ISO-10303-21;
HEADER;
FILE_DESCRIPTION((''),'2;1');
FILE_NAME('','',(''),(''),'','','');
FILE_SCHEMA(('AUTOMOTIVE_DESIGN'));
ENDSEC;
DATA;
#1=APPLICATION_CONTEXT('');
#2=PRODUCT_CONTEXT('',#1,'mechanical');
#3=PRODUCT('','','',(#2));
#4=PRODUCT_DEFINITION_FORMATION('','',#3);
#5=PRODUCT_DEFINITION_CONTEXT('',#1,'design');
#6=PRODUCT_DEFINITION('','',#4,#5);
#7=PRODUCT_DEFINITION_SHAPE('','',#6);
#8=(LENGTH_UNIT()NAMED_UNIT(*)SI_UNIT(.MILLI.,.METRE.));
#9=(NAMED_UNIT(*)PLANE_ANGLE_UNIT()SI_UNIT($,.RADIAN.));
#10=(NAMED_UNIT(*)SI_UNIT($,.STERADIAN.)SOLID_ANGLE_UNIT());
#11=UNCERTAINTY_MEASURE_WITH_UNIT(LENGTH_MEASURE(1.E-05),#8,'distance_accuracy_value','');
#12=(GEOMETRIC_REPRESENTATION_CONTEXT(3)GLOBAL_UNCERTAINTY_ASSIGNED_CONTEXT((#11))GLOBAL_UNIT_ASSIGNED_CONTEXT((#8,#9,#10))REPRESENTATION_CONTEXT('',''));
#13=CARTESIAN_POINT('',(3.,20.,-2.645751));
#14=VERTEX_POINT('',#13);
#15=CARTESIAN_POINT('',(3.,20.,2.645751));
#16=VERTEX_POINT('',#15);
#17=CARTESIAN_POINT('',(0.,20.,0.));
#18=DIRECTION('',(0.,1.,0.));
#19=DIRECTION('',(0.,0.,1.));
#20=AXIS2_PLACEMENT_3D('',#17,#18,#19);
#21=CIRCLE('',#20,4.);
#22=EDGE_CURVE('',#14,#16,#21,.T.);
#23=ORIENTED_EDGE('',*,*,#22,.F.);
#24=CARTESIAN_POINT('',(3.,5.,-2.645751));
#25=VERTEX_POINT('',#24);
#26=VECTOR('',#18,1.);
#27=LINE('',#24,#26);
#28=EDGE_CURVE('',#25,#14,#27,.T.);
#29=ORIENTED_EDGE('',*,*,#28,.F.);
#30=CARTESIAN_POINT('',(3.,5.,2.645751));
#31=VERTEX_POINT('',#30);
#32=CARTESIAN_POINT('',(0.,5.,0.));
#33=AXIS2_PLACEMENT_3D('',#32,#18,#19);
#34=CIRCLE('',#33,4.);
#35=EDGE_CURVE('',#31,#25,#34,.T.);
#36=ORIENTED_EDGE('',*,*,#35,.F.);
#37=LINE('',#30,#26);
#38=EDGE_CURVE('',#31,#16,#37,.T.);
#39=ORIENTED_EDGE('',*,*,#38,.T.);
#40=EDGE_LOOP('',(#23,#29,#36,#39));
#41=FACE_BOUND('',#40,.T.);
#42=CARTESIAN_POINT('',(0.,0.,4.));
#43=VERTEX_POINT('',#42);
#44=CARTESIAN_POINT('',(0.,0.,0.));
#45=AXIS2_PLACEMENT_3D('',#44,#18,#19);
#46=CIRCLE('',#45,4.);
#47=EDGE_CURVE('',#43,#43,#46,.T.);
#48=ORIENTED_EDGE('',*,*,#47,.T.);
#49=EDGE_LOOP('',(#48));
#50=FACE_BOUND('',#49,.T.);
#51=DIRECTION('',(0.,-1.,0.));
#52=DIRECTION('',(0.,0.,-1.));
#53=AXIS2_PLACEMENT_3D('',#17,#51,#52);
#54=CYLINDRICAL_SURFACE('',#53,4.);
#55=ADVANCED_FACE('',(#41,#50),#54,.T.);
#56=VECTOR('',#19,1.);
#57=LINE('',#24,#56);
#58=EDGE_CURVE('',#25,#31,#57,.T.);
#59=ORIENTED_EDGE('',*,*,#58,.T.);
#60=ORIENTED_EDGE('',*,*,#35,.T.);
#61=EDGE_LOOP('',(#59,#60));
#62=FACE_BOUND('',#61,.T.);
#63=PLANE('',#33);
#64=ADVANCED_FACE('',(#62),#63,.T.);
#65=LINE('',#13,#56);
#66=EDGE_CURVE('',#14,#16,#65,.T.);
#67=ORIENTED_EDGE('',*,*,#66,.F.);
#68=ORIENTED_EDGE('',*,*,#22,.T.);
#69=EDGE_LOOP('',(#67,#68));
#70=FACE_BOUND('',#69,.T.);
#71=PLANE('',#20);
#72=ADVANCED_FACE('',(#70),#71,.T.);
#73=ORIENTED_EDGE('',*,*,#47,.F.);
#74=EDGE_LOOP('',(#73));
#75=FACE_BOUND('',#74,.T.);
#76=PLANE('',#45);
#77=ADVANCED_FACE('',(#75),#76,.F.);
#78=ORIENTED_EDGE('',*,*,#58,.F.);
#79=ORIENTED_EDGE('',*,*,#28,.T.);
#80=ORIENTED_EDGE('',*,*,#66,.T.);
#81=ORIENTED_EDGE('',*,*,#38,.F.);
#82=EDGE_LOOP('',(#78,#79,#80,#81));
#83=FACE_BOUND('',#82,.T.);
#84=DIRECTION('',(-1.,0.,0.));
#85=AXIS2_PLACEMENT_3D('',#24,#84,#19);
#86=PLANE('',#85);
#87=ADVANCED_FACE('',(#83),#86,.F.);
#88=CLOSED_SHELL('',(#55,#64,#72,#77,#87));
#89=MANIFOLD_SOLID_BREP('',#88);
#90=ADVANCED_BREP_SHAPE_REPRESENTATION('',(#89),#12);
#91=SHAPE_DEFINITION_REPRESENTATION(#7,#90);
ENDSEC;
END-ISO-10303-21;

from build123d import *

# Parameters (mm, degrees)
SKETCH1_R           = 4
BOSS_EXTRUDE1_DEPTH = 20
CUT_EXTRUDE1_START  = -15
CUT_EXTRUDE1_DEPTH  = 15


with BuildPart() as part:
    # Sketch1 → Boss-Extrude1 (new body)
    with BuildSketch(Plane(origin=(0, 0, 0), x_dir=(1, 0, 0), z_dir=(0, 1, 0))):
        with Locations(Location((0, 0, 0), (0, 0, 270))):
            Circle(SKETCH1_R)
    extrude(amount=BOSS_EXTRUDE1_DEPTH)

    # Sketch2 → Cut-Extrude1 (cut)
    with BuildSketch(Plane(origin=(0, 20, 0), x_dir=(1, 0, 0), z_dir=(0, 1, 0)).offset(CUT_EXTRUDE1_START)):
        with BuildLine():
            Line((3, 2.645751311), (3, -2.645751311))
            ThreePointArc((3, -2.645751311), (4, 0), (3, 2.645751311))
        make_face()
    extrude(amount=CUT_EXTRUDE1_DEPTH, mode=Mode.SUBTRACT)


solid = part.part
